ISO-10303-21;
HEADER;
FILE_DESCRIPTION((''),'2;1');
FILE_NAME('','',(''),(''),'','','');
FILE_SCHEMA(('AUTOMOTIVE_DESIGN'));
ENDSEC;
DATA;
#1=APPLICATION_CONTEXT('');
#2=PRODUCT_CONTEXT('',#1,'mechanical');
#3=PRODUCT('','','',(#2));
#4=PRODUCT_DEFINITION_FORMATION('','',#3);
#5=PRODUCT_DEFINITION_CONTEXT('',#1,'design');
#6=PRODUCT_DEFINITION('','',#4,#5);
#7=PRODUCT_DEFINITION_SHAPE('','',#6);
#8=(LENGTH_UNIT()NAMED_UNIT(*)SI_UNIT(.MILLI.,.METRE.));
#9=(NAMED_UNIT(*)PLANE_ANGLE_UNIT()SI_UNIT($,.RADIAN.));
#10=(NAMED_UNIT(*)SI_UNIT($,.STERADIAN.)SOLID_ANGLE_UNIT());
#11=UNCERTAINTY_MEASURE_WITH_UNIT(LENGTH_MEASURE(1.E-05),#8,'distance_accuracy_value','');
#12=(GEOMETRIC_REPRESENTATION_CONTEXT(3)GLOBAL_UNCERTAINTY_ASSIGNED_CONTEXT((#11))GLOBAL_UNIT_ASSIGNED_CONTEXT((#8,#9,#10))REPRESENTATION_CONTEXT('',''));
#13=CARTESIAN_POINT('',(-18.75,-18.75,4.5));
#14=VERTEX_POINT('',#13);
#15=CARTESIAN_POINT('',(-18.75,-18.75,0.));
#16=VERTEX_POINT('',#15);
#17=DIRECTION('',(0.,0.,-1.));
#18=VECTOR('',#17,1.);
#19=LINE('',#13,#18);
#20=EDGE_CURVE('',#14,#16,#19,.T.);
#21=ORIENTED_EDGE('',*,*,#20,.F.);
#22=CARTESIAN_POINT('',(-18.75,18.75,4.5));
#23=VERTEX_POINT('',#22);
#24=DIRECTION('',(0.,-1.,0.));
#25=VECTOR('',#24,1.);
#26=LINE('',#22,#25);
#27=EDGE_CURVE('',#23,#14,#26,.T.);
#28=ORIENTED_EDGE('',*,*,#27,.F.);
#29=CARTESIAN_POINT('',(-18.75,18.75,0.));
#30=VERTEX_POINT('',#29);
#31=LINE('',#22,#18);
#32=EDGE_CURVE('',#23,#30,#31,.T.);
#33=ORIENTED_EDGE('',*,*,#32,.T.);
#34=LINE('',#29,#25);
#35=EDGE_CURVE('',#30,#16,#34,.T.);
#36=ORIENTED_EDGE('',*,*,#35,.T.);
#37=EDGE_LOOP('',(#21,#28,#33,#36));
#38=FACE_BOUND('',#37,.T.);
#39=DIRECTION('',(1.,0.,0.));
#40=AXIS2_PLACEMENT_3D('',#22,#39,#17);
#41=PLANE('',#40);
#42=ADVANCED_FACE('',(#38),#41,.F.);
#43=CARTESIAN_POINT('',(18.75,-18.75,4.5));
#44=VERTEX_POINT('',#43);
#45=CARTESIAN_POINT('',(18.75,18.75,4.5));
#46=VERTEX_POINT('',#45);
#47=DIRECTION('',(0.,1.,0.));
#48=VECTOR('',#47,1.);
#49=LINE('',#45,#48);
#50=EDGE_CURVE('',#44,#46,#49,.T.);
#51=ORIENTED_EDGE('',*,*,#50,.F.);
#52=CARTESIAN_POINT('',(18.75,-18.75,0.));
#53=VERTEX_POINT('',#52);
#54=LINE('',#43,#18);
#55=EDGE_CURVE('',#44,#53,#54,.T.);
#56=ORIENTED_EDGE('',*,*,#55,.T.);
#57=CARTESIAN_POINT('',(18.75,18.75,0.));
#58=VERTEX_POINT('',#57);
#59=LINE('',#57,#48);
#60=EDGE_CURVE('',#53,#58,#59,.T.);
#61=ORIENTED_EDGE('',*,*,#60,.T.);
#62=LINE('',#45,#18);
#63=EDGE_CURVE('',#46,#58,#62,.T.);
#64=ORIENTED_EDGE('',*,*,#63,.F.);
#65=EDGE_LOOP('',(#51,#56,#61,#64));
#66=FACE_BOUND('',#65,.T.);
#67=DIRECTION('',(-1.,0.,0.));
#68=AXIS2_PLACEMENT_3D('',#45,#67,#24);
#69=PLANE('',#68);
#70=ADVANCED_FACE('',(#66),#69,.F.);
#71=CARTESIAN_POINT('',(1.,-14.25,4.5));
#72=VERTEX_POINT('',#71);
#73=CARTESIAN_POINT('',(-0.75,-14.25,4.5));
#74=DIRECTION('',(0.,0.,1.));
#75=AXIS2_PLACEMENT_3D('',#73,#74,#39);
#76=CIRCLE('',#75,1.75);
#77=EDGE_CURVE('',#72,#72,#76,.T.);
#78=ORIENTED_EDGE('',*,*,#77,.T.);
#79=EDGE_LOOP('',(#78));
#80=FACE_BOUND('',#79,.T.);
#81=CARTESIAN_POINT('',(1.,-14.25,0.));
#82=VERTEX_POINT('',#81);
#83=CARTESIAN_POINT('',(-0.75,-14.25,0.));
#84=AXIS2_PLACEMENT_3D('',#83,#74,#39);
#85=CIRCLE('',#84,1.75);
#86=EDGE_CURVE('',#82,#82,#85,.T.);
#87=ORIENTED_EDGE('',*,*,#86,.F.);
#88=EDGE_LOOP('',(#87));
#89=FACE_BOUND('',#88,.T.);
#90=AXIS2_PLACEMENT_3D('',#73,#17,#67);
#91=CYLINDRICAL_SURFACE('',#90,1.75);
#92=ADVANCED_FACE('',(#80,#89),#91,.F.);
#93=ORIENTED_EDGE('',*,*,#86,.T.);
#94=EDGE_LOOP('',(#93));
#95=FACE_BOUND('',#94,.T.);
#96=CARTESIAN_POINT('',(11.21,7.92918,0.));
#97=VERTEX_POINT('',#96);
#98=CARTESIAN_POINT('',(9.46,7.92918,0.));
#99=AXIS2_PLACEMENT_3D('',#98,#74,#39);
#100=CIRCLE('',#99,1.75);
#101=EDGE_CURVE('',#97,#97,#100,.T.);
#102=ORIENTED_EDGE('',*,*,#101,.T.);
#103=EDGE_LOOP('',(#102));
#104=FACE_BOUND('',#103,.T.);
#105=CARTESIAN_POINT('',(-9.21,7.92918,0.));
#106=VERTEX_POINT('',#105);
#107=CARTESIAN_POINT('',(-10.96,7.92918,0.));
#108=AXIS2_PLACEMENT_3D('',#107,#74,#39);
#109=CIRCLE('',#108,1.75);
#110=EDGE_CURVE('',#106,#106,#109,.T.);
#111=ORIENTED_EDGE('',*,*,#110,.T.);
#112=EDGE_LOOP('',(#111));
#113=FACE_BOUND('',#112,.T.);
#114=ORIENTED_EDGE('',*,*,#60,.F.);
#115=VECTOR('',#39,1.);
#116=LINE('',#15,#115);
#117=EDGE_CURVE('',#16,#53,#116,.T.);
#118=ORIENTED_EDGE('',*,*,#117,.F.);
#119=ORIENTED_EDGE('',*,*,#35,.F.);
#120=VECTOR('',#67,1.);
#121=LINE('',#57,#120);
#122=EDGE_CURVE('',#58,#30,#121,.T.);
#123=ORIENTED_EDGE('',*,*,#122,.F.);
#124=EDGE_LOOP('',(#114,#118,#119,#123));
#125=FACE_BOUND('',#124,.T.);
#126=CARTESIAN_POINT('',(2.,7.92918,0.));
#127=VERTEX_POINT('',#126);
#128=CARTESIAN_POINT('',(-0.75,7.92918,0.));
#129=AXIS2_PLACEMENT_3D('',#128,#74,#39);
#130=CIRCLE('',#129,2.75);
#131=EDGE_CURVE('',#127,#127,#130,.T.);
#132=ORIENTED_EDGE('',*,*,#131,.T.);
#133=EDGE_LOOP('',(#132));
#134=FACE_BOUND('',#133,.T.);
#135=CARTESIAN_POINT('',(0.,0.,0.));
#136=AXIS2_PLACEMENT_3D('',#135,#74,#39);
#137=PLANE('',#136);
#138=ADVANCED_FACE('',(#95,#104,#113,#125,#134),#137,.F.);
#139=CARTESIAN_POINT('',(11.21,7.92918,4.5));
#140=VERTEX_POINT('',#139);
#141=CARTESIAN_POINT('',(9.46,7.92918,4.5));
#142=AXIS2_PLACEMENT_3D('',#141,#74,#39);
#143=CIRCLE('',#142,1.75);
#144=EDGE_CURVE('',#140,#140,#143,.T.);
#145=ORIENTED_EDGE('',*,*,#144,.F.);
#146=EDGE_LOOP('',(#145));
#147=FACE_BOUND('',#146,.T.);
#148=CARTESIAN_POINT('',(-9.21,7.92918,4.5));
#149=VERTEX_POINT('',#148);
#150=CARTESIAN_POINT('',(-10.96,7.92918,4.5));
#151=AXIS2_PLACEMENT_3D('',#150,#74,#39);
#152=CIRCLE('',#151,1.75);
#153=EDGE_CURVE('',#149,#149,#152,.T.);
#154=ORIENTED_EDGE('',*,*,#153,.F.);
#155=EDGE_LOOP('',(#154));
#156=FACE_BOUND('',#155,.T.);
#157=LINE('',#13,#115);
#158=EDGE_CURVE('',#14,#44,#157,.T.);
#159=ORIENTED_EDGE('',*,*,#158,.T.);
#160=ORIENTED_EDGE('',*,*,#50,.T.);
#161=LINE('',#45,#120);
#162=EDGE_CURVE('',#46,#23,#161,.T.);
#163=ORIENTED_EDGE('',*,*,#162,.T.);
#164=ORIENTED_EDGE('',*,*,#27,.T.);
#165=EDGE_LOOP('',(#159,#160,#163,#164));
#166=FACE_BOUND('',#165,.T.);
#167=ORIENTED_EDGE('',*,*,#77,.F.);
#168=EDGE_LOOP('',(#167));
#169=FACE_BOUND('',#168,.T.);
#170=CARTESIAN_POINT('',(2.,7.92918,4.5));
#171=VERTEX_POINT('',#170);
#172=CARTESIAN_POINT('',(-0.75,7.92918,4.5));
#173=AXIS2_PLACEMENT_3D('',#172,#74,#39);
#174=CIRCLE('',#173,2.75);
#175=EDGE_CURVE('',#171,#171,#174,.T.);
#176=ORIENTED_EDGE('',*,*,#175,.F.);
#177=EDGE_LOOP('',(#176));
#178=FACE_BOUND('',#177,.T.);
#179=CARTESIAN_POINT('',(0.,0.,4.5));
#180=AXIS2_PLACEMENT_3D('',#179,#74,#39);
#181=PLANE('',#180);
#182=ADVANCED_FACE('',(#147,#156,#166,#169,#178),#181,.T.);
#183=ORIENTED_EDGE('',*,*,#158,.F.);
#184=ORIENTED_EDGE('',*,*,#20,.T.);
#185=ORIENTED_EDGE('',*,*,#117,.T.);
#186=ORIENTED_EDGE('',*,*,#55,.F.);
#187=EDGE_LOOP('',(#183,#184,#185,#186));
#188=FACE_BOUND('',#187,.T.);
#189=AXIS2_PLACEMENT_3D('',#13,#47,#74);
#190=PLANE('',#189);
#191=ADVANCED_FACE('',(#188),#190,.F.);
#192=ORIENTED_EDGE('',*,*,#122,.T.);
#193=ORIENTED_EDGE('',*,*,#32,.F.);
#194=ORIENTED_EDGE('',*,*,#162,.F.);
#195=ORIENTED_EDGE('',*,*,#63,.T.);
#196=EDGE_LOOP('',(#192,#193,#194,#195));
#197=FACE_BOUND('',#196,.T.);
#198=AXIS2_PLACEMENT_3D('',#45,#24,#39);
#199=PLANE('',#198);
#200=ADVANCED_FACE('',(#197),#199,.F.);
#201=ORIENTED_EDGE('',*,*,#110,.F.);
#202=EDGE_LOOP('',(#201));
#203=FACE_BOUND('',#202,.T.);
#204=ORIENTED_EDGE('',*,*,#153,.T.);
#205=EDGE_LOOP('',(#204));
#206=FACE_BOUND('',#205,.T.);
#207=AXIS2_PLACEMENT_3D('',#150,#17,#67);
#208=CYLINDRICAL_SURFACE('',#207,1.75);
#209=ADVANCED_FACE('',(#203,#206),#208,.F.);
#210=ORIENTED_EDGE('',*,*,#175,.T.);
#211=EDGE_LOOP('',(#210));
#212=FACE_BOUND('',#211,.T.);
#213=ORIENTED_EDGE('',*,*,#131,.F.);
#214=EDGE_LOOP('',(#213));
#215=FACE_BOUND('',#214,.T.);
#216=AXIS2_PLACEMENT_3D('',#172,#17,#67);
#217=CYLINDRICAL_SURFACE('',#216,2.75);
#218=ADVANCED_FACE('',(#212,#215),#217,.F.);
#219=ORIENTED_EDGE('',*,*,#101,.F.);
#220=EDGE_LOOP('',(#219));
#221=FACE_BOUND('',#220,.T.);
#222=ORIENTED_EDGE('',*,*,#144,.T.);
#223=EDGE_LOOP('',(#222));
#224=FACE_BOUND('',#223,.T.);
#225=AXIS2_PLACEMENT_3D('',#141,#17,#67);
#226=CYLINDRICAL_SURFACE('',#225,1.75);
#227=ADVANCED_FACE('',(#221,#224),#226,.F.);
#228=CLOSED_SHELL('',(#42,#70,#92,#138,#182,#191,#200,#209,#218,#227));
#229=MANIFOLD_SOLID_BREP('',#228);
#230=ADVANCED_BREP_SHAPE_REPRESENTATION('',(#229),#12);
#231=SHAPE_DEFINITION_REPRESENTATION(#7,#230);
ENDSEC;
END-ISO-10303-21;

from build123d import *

# Parameters (mm, degrees)
SKETCH1_W           = 37.5
SKETCH1_H           = 37.5
SKETCH1_R           = 2.75
SKETCH1_R_2         = 1.75
BOSS_EXTRUDE1_DEPTH = 4.5


with BuildPart() as part:
    # Sketch1 → Boss-Extrude1 (new body)
    with BuildSketch(Plane.XY):
        Rectangle(SKETCH1_W, SKETCH1_H)
        with Locations((-0.75, 7.92918)):
            Circle(SKETCH1_R, mode=Mode.SUBTRACT)
        with Locations((9.46, 7.92918)):
            Circle(SKETCH1_R_2, mode=Mode.SUBTRACT)
        with Locations((-10.96, 7.92918)):
            Circle(SKETCH1_R_2, mode=Mode.SUBTRACT)
        with Locations((-0.75, -14.25)):
            Circle(SKETCH1_R_2, mode=Mode.SUBTRACT)
    extrude(amount=BOSS_EXTRUDE1_DEPTH)


solid = part.part
